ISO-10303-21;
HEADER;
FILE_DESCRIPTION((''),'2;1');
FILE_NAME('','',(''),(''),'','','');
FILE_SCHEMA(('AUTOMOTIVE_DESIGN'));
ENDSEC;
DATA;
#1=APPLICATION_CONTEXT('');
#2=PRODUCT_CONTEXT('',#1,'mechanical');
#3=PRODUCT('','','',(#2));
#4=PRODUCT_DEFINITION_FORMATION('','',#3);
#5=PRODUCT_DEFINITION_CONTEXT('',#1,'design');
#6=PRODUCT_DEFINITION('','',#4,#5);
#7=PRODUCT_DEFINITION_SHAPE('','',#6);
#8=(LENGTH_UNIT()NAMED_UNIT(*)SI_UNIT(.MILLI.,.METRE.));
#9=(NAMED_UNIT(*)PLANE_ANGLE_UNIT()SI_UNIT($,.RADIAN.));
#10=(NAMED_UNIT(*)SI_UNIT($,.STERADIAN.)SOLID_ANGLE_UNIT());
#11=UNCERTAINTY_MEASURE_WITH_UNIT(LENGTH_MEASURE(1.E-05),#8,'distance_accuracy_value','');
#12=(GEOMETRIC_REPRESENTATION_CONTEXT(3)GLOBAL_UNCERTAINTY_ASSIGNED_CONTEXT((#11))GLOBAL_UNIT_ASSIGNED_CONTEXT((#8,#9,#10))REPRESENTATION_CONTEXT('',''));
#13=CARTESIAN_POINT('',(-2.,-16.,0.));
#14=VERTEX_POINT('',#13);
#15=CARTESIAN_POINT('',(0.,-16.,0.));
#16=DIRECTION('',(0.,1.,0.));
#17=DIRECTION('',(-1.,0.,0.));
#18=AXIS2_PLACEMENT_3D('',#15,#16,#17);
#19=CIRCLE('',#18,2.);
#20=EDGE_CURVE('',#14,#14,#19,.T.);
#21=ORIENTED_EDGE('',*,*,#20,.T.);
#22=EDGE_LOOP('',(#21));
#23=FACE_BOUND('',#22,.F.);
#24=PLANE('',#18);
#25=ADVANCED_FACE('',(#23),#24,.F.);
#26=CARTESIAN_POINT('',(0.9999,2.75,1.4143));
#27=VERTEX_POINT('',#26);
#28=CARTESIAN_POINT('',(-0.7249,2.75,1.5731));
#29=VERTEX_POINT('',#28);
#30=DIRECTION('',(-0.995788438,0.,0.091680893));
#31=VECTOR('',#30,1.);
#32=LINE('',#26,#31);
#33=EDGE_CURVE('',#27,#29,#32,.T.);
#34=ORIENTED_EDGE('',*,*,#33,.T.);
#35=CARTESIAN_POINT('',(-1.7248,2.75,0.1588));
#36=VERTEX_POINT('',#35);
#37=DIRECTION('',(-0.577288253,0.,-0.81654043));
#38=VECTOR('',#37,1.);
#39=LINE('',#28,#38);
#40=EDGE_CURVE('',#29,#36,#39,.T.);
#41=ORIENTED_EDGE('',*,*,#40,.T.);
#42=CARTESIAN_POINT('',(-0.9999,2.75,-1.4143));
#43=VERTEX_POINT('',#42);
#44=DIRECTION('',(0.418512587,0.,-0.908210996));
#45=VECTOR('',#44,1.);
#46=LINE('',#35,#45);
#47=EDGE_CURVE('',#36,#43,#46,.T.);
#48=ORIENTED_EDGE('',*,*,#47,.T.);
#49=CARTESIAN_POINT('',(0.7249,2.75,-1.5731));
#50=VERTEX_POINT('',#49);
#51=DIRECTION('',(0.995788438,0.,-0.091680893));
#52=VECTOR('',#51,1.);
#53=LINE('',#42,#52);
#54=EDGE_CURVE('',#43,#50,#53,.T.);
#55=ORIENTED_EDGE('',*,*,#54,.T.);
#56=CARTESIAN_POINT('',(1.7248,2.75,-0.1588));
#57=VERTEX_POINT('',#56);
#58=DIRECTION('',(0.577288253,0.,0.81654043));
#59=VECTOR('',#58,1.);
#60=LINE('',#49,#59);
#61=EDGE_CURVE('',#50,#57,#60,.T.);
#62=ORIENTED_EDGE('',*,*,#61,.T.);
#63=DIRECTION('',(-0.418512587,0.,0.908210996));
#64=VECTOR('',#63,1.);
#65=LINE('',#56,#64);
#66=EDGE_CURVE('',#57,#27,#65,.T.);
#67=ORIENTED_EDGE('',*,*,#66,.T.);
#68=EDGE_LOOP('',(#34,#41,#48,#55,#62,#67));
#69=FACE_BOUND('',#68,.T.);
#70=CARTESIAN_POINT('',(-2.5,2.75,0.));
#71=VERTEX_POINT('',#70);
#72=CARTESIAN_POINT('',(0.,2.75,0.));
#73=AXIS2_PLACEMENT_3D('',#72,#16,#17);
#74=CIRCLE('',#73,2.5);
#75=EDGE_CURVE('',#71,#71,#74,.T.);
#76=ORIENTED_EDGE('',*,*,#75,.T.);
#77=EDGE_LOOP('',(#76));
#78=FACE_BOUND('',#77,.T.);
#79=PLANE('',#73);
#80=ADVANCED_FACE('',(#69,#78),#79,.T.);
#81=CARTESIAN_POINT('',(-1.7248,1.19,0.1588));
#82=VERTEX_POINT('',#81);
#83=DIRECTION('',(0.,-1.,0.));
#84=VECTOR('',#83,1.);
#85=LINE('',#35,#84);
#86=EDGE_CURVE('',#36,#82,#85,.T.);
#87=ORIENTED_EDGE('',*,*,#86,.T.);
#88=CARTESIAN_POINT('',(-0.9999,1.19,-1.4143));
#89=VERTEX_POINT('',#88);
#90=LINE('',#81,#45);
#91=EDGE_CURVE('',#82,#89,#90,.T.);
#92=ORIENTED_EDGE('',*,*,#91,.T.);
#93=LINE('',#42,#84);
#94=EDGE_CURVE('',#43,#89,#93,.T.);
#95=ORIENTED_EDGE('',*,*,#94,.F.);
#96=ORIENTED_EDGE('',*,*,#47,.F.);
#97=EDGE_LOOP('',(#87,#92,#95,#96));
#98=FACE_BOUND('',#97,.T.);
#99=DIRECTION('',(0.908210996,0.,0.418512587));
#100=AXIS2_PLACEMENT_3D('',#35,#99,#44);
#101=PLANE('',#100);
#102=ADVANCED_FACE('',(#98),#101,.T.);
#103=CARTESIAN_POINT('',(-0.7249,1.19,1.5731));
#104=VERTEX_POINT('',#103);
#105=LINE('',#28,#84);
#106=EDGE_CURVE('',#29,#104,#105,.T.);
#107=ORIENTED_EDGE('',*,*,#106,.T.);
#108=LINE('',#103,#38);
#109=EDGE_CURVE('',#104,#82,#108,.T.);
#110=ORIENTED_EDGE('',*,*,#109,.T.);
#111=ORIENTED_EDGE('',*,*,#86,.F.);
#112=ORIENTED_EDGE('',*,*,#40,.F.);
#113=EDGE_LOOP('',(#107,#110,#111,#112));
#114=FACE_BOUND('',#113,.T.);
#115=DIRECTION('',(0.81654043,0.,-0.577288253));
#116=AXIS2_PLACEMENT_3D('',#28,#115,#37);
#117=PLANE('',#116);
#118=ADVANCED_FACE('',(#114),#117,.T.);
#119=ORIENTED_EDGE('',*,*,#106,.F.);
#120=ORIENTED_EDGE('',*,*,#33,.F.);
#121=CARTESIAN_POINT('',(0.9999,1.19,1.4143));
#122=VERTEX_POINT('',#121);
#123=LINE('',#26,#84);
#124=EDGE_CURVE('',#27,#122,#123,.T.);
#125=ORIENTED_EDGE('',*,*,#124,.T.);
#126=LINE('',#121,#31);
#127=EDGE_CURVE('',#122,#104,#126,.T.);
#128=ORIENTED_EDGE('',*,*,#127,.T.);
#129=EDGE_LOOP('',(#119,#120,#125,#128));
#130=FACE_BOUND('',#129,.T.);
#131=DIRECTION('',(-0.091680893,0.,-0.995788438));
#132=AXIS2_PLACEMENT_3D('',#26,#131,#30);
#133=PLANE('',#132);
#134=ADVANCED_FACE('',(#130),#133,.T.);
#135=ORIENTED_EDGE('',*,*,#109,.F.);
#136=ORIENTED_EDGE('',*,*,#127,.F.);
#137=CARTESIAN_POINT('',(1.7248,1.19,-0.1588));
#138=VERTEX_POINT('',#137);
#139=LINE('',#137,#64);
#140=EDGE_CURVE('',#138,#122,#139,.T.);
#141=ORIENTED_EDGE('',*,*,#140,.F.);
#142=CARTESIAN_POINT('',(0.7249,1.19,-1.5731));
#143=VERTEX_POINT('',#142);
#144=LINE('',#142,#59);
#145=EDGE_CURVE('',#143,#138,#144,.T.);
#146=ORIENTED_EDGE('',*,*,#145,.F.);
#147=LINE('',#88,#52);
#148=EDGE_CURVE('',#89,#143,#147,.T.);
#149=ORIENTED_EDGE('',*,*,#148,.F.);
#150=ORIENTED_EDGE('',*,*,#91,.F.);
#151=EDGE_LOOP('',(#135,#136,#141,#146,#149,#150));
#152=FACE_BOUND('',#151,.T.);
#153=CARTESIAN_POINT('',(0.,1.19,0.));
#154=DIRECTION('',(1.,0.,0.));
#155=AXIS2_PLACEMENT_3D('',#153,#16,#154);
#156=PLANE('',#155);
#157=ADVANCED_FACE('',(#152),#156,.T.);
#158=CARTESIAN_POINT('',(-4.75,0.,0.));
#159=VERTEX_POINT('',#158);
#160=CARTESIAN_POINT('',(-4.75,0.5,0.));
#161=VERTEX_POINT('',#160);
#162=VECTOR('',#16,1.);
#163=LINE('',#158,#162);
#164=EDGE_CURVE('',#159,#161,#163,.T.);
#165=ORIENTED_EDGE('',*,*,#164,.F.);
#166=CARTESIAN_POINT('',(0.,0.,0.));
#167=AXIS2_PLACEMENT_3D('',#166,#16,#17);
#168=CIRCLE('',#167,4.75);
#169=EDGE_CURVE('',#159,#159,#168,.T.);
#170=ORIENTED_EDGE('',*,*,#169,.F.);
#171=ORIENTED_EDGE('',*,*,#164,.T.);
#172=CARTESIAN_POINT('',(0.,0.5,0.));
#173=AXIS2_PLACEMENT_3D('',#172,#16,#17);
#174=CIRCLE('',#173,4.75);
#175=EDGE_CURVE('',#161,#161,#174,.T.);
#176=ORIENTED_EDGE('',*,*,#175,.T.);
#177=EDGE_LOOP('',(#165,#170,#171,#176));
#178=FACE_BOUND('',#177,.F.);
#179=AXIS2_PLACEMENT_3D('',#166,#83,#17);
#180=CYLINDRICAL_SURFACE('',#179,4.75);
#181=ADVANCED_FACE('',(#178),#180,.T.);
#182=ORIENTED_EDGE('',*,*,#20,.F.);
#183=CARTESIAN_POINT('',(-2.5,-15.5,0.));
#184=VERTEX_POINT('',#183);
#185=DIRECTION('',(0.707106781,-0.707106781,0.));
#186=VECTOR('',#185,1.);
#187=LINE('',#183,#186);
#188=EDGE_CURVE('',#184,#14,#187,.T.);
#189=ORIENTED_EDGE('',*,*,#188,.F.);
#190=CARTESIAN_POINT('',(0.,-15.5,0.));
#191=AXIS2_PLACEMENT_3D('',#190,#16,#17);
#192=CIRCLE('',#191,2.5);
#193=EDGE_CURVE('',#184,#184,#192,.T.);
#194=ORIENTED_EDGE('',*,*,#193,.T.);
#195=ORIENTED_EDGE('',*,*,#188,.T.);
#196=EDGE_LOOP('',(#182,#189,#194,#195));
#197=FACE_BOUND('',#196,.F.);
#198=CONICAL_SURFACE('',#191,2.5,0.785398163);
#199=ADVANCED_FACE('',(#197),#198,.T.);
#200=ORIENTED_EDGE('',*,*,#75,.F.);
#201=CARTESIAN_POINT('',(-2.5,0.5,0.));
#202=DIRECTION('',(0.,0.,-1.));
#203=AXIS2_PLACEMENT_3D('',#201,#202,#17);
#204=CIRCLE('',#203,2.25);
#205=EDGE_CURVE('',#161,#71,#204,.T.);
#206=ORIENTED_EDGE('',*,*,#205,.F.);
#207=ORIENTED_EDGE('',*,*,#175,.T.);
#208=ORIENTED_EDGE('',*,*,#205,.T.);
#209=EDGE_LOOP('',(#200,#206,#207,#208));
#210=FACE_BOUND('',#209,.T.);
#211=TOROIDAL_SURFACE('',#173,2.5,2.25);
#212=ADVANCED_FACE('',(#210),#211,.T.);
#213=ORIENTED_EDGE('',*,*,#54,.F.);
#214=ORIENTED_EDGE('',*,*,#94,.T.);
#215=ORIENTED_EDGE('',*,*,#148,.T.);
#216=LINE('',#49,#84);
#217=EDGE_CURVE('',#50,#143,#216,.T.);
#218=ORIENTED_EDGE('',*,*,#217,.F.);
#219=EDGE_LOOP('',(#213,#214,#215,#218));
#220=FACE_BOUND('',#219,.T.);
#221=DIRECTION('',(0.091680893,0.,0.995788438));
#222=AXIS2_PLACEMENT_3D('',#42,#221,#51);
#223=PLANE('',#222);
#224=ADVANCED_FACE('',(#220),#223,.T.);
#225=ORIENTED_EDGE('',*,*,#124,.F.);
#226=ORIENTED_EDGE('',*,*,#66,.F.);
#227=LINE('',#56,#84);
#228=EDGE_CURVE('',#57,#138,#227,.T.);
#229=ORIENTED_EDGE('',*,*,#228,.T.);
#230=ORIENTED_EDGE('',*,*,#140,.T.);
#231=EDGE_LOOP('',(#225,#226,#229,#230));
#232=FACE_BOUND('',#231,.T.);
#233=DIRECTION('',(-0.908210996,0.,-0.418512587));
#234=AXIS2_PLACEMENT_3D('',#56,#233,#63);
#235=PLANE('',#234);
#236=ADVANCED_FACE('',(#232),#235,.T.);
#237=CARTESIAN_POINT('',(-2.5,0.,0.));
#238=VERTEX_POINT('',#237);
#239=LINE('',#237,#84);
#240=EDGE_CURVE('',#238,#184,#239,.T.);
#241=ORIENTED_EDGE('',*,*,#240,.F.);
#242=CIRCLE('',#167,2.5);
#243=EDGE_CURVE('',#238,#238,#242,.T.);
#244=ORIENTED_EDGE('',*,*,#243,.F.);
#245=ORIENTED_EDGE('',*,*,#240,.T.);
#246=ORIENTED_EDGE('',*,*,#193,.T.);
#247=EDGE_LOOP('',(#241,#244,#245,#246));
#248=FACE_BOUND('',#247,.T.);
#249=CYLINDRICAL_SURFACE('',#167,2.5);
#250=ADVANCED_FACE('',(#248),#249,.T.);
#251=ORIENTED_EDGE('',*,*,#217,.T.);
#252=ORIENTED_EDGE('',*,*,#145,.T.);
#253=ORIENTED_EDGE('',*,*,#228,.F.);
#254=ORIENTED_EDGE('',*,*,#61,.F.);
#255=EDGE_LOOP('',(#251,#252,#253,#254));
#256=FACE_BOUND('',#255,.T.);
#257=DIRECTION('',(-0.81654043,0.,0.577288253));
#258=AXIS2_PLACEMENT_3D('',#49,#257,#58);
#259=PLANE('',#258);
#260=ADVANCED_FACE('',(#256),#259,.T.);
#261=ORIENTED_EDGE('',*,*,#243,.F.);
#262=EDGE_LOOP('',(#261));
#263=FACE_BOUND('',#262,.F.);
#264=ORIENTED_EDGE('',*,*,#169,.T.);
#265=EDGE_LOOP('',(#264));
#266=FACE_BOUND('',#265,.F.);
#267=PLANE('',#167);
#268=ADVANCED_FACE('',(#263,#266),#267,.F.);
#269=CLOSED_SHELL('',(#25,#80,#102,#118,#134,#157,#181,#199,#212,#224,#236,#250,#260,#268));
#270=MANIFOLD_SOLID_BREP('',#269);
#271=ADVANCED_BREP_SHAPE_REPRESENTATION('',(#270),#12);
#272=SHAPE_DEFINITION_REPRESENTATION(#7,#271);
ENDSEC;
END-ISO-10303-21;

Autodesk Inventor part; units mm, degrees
ref_plane "YZ Plane" through (0, 0, 0) normal (1, 0, 0) x (0, 1, 0)
ref_plane "XZ Plane" through (0, 0, 0) normal (0, 1, 0) x (-1, 0, 0)
ref_plane "XY Plane" through (0, 0, 0) normal (0, 0, 1) x (1, 0, 0)
sketch "Boceto1" plane through (0, 0, 0) normal (0, 1, 0) x (-1, 0, 0)
  circle A0 centre (0, 0) radius 2.5
  circle A1 centre (0, 0) radius 4.75
  dimension "d0" = 5
  dimension "d1" = 9.5
extrude "Extrusión1" add sketch "Boceto1" along normal blind 2.75 contours A0 | A1
extrude "Extrusión2" add sketch "Boceto1" against normal blind 16 contours A0
thread "Rosca1" size "M5x0.8" class "6g" standard "ISO Metric profile" length 100
fillet "Empalme1" radius 2.25 1 edges at (4.75, 2.75, 0)
sketch "Boceto2" plane through (0, 2.75, 0) normal (0, 1, 0) x (1, 0, 0)
  line L0 (0.7249, 1.5731) -> (1.7248, 0.1588)
  line L1 (1.7248, 0.1588) -> (0.9999, -1.4143)
  line L2 (0.9999, -1.4143) -> (-0.7249, -1.5731)
  line L3 (-0.7249, -1.5731) -> (-1.7248, -0.1588)
  line L4 (-1.7248, -0.1588) -> (-0.9999, 1.4143)
  line L5 (-0.9999, 1.4143) -> (0.7249, 1.5731)
  point P0 (0, 0)
  point P1 (0, 0)
  dimension "d9" = 3
extrude "Extrusión3" cut sketch "Boceto2" against normal blind 1.56
chamfer "Chaflán1" distance 0.5 angle 45 1 edges at (2.5, -16, 0)
properties part number "Tornillo allen cabeza boton M5x16mm"
